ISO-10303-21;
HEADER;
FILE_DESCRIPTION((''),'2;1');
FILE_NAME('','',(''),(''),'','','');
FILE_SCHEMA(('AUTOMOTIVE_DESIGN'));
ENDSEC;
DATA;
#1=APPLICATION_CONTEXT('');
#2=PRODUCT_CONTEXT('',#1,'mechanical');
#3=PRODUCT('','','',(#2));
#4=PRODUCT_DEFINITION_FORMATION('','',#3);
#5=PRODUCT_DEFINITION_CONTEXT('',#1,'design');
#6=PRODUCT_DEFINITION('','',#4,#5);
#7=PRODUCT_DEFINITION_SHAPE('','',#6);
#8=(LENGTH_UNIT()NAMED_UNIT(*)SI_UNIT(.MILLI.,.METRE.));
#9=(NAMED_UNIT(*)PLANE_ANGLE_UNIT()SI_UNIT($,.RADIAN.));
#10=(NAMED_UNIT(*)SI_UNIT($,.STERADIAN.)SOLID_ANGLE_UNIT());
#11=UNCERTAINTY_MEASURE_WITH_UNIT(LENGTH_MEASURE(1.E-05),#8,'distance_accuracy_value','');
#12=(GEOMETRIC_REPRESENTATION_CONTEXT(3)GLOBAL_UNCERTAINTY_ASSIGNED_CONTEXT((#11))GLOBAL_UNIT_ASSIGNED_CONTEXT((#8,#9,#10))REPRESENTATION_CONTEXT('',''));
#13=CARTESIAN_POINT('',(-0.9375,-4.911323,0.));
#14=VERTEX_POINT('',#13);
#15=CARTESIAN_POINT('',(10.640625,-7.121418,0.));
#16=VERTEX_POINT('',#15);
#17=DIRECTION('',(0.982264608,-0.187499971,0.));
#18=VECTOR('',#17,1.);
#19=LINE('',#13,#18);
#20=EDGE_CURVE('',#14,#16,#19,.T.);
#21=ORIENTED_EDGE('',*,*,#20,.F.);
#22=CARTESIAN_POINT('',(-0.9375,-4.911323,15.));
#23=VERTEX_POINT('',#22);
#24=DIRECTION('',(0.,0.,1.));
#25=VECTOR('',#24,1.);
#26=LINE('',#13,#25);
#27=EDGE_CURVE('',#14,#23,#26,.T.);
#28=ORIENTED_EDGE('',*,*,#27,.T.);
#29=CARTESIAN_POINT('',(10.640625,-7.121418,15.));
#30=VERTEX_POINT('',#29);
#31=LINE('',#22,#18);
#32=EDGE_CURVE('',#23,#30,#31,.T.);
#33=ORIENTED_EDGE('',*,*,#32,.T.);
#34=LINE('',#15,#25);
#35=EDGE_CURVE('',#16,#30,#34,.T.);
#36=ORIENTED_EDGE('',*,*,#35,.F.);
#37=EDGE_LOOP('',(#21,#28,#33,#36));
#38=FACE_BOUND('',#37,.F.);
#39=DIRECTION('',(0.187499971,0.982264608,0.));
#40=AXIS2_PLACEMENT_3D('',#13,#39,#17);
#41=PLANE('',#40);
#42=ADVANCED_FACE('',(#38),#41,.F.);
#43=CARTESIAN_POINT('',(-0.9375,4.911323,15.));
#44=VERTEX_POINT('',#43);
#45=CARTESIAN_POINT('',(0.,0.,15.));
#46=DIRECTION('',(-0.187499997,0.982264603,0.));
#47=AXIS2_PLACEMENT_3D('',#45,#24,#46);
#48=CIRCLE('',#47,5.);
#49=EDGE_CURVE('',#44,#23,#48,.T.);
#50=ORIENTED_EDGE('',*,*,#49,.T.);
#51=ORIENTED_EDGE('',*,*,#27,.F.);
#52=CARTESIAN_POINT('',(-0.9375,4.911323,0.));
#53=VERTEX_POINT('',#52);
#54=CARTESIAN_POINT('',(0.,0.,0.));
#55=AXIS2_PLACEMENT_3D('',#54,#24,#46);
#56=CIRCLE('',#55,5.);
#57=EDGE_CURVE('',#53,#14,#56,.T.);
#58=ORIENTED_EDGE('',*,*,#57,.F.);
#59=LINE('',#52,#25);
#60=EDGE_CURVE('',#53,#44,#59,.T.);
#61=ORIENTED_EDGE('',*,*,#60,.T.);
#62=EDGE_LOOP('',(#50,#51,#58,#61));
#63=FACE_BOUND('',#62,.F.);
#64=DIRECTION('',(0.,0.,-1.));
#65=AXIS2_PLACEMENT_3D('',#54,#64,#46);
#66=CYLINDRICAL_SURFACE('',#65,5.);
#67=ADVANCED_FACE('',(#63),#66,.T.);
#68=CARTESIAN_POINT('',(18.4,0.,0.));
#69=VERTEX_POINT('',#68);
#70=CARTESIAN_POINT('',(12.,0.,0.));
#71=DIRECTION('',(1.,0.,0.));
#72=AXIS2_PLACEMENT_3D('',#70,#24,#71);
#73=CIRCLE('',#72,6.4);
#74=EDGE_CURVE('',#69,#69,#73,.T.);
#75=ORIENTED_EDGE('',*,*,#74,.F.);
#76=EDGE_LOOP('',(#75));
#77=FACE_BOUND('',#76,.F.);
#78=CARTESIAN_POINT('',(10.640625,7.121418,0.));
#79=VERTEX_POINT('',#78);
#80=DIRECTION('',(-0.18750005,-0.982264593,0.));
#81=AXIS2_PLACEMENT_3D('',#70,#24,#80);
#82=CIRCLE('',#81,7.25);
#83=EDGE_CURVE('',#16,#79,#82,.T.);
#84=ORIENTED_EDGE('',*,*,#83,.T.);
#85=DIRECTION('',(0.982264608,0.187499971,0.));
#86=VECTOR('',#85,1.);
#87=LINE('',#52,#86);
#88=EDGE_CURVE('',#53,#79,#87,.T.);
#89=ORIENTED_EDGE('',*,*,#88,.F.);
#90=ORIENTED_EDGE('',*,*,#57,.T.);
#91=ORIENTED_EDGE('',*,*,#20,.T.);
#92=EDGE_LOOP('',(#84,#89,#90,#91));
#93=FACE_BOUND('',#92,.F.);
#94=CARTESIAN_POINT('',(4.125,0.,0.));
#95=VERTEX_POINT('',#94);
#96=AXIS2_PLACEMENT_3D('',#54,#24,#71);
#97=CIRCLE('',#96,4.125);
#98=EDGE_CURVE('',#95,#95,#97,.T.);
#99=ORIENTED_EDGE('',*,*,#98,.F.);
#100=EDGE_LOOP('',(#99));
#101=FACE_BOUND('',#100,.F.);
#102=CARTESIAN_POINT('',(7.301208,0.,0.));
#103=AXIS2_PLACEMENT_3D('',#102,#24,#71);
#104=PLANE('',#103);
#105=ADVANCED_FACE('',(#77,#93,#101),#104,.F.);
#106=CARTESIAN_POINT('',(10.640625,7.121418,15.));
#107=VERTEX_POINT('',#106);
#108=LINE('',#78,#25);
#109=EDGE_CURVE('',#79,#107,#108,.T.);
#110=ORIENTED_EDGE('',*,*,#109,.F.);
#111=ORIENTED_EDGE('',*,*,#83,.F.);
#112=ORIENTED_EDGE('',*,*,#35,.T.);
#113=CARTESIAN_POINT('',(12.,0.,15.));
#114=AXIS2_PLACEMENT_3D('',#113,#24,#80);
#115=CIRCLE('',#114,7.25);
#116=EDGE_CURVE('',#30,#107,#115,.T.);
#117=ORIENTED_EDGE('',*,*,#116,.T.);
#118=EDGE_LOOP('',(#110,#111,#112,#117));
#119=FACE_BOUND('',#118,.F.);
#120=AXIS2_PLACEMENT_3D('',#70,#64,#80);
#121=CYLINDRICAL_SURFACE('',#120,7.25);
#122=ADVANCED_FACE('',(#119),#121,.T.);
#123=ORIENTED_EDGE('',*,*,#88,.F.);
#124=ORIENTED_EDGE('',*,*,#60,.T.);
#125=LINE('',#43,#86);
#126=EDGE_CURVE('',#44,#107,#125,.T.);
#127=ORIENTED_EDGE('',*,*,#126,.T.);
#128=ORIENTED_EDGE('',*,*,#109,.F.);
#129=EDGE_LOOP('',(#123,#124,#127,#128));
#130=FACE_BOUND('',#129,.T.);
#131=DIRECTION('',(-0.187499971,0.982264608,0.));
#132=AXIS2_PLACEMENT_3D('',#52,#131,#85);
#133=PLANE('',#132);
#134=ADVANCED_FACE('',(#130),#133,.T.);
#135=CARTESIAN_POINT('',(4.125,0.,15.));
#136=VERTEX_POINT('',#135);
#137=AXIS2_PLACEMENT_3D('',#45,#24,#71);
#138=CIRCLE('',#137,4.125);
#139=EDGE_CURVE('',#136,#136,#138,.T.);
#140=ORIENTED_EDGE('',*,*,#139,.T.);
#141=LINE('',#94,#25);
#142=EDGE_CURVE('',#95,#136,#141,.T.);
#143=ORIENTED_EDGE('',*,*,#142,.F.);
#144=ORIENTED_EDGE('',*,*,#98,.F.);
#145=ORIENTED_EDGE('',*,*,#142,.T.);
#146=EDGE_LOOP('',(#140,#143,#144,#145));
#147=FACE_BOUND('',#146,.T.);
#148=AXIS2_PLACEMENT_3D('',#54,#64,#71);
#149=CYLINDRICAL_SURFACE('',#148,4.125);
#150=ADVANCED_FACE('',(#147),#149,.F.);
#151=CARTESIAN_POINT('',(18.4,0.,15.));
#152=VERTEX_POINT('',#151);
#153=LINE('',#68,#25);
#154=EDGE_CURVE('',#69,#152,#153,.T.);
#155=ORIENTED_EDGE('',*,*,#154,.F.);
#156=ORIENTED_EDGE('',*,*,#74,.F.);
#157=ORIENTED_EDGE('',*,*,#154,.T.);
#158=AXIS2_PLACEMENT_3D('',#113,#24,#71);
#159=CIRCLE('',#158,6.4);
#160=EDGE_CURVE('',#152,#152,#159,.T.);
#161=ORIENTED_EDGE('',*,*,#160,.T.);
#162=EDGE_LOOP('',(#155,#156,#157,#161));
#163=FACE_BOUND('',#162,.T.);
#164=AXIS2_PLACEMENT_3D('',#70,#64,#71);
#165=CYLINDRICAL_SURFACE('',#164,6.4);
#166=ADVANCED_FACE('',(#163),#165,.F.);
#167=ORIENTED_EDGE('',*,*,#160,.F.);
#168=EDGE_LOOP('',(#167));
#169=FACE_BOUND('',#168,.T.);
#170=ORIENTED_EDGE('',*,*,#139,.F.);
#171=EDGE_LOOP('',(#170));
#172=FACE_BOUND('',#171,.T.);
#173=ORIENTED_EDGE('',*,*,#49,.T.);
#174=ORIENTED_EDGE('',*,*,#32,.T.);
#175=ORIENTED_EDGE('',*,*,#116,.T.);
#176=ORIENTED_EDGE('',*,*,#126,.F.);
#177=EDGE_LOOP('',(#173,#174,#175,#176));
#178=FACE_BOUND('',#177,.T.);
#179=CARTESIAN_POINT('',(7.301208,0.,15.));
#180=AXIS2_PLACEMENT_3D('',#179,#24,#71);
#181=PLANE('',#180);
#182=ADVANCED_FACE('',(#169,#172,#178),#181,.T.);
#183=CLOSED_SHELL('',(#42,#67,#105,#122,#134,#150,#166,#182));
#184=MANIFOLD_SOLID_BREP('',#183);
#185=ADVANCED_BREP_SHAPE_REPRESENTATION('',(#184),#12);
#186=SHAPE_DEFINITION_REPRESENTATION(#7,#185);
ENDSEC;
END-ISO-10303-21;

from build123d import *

# Parameters (mm, degrees)
SKETCH_R   = 4.125
SKETCH_R_2 = 6.4
PAD_DEPTH  = 15


with BuildPart() as part:
    # Sketch → Pad (new body)
    with BuildSketch(Plane.XY):
        with BuildLine():
            ThreePointArc((-0.9375, 4.911323), (-5, 0), (-0.9375, -4.911323))
            Line((-0.9375, -4.911323), (10.640625, -7.121418))
            ThreePointArc((10.640625, -7.121418), (19.25, 0), (10.640625, 7.121418))
            Line((-0.9375, 4.911323), (10.640625, 7.121418))
        make_face()
        Circle(SKETCH_R, mode=Mode.SUBTRACT)
        with Locations((12, 0)):
            Circle(SKETCH_R_2, mode=Mode.SUBTRACT)
    extrude(amount=PAD_DEPTH)


solid = part.part
